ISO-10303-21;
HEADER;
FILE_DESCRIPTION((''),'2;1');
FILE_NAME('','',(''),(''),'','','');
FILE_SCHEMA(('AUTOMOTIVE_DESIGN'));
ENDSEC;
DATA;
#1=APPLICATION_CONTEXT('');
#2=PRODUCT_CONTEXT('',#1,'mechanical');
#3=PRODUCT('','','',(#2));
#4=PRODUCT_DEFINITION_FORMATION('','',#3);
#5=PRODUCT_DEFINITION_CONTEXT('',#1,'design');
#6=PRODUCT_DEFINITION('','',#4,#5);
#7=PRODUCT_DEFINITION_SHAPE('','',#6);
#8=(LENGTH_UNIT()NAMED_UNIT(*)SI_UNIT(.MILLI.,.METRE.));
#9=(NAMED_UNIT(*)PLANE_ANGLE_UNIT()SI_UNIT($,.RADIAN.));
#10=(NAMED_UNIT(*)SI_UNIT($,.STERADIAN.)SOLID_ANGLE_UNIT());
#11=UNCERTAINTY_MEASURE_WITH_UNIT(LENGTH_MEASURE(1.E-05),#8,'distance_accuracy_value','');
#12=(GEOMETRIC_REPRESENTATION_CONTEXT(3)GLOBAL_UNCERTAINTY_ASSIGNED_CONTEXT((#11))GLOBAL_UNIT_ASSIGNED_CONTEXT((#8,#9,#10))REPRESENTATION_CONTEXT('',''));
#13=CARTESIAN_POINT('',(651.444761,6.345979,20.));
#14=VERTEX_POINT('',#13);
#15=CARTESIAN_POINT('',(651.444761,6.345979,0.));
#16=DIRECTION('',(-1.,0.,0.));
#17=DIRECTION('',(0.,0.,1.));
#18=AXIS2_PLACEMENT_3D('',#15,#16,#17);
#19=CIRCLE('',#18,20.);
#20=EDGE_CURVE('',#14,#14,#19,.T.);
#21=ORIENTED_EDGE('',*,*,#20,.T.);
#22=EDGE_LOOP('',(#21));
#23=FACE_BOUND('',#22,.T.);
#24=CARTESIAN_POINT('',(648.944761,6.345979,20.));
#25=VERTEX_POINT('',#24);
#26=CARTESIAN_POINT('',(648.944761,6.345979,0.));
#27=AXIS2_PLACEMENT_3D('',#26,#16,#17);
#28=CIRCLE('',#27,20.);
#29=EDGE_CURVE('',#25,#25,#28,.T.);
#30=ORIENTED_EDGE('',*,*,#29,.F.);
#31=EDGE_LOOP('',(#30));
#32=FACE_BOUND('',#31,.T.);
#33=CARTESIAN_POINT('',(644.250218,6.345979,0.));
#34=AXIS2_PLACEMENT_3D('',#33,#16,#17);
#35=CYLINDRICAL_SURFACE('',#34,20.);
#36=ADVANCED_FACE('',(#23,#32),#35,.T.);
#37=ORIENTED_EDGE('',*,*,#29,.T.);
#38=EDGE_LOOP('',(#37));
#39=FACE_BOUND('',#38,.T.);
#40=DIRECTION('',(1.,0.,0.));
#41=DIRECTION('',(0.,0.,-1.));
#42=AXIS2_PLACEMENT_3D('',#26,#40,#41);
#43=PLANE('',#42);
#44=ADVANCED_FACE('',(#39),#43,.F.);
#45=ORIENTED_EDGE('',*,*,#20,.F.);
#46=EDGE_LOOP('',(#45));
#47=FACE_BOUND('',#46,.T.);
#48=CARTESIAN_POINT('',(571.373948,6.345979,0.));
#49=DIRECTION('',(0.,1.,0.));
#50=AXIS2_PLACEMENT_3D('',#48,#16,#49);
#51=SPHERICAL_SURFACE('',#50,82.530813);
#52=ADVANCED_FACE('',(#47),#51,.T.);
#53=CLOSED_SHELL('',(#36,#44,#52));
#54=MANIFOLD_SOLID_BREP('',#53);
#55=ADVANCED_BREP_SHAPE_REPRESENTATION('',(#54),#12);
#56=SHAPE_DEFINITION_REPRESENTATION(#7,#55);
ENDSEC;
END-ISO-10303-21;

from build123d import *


with BuildPart() as part:
    # 草图1 → 旋转1 (revolve)
    with BuildSketch(Plane.XY):
        with BuildLine():
            Line((648.944760987, 6.345979496), (648.944760987, 26.345979496))
            Line((648.944760987, 26.345979496), (651.444760987, 26.345979496))
            ThreePointArc((651.444760987, 26.345979496), (653.287452334, 16.421340532), (653.904760987, 6.345979496))
            Line((653.904760987, 6.345979496), (648.944760987, 6.345979496))
        make_face()
    revolve(axis=Axis((644.250217807, 6.345979496, 0), (1, 0, 0)))


solid = part.part
